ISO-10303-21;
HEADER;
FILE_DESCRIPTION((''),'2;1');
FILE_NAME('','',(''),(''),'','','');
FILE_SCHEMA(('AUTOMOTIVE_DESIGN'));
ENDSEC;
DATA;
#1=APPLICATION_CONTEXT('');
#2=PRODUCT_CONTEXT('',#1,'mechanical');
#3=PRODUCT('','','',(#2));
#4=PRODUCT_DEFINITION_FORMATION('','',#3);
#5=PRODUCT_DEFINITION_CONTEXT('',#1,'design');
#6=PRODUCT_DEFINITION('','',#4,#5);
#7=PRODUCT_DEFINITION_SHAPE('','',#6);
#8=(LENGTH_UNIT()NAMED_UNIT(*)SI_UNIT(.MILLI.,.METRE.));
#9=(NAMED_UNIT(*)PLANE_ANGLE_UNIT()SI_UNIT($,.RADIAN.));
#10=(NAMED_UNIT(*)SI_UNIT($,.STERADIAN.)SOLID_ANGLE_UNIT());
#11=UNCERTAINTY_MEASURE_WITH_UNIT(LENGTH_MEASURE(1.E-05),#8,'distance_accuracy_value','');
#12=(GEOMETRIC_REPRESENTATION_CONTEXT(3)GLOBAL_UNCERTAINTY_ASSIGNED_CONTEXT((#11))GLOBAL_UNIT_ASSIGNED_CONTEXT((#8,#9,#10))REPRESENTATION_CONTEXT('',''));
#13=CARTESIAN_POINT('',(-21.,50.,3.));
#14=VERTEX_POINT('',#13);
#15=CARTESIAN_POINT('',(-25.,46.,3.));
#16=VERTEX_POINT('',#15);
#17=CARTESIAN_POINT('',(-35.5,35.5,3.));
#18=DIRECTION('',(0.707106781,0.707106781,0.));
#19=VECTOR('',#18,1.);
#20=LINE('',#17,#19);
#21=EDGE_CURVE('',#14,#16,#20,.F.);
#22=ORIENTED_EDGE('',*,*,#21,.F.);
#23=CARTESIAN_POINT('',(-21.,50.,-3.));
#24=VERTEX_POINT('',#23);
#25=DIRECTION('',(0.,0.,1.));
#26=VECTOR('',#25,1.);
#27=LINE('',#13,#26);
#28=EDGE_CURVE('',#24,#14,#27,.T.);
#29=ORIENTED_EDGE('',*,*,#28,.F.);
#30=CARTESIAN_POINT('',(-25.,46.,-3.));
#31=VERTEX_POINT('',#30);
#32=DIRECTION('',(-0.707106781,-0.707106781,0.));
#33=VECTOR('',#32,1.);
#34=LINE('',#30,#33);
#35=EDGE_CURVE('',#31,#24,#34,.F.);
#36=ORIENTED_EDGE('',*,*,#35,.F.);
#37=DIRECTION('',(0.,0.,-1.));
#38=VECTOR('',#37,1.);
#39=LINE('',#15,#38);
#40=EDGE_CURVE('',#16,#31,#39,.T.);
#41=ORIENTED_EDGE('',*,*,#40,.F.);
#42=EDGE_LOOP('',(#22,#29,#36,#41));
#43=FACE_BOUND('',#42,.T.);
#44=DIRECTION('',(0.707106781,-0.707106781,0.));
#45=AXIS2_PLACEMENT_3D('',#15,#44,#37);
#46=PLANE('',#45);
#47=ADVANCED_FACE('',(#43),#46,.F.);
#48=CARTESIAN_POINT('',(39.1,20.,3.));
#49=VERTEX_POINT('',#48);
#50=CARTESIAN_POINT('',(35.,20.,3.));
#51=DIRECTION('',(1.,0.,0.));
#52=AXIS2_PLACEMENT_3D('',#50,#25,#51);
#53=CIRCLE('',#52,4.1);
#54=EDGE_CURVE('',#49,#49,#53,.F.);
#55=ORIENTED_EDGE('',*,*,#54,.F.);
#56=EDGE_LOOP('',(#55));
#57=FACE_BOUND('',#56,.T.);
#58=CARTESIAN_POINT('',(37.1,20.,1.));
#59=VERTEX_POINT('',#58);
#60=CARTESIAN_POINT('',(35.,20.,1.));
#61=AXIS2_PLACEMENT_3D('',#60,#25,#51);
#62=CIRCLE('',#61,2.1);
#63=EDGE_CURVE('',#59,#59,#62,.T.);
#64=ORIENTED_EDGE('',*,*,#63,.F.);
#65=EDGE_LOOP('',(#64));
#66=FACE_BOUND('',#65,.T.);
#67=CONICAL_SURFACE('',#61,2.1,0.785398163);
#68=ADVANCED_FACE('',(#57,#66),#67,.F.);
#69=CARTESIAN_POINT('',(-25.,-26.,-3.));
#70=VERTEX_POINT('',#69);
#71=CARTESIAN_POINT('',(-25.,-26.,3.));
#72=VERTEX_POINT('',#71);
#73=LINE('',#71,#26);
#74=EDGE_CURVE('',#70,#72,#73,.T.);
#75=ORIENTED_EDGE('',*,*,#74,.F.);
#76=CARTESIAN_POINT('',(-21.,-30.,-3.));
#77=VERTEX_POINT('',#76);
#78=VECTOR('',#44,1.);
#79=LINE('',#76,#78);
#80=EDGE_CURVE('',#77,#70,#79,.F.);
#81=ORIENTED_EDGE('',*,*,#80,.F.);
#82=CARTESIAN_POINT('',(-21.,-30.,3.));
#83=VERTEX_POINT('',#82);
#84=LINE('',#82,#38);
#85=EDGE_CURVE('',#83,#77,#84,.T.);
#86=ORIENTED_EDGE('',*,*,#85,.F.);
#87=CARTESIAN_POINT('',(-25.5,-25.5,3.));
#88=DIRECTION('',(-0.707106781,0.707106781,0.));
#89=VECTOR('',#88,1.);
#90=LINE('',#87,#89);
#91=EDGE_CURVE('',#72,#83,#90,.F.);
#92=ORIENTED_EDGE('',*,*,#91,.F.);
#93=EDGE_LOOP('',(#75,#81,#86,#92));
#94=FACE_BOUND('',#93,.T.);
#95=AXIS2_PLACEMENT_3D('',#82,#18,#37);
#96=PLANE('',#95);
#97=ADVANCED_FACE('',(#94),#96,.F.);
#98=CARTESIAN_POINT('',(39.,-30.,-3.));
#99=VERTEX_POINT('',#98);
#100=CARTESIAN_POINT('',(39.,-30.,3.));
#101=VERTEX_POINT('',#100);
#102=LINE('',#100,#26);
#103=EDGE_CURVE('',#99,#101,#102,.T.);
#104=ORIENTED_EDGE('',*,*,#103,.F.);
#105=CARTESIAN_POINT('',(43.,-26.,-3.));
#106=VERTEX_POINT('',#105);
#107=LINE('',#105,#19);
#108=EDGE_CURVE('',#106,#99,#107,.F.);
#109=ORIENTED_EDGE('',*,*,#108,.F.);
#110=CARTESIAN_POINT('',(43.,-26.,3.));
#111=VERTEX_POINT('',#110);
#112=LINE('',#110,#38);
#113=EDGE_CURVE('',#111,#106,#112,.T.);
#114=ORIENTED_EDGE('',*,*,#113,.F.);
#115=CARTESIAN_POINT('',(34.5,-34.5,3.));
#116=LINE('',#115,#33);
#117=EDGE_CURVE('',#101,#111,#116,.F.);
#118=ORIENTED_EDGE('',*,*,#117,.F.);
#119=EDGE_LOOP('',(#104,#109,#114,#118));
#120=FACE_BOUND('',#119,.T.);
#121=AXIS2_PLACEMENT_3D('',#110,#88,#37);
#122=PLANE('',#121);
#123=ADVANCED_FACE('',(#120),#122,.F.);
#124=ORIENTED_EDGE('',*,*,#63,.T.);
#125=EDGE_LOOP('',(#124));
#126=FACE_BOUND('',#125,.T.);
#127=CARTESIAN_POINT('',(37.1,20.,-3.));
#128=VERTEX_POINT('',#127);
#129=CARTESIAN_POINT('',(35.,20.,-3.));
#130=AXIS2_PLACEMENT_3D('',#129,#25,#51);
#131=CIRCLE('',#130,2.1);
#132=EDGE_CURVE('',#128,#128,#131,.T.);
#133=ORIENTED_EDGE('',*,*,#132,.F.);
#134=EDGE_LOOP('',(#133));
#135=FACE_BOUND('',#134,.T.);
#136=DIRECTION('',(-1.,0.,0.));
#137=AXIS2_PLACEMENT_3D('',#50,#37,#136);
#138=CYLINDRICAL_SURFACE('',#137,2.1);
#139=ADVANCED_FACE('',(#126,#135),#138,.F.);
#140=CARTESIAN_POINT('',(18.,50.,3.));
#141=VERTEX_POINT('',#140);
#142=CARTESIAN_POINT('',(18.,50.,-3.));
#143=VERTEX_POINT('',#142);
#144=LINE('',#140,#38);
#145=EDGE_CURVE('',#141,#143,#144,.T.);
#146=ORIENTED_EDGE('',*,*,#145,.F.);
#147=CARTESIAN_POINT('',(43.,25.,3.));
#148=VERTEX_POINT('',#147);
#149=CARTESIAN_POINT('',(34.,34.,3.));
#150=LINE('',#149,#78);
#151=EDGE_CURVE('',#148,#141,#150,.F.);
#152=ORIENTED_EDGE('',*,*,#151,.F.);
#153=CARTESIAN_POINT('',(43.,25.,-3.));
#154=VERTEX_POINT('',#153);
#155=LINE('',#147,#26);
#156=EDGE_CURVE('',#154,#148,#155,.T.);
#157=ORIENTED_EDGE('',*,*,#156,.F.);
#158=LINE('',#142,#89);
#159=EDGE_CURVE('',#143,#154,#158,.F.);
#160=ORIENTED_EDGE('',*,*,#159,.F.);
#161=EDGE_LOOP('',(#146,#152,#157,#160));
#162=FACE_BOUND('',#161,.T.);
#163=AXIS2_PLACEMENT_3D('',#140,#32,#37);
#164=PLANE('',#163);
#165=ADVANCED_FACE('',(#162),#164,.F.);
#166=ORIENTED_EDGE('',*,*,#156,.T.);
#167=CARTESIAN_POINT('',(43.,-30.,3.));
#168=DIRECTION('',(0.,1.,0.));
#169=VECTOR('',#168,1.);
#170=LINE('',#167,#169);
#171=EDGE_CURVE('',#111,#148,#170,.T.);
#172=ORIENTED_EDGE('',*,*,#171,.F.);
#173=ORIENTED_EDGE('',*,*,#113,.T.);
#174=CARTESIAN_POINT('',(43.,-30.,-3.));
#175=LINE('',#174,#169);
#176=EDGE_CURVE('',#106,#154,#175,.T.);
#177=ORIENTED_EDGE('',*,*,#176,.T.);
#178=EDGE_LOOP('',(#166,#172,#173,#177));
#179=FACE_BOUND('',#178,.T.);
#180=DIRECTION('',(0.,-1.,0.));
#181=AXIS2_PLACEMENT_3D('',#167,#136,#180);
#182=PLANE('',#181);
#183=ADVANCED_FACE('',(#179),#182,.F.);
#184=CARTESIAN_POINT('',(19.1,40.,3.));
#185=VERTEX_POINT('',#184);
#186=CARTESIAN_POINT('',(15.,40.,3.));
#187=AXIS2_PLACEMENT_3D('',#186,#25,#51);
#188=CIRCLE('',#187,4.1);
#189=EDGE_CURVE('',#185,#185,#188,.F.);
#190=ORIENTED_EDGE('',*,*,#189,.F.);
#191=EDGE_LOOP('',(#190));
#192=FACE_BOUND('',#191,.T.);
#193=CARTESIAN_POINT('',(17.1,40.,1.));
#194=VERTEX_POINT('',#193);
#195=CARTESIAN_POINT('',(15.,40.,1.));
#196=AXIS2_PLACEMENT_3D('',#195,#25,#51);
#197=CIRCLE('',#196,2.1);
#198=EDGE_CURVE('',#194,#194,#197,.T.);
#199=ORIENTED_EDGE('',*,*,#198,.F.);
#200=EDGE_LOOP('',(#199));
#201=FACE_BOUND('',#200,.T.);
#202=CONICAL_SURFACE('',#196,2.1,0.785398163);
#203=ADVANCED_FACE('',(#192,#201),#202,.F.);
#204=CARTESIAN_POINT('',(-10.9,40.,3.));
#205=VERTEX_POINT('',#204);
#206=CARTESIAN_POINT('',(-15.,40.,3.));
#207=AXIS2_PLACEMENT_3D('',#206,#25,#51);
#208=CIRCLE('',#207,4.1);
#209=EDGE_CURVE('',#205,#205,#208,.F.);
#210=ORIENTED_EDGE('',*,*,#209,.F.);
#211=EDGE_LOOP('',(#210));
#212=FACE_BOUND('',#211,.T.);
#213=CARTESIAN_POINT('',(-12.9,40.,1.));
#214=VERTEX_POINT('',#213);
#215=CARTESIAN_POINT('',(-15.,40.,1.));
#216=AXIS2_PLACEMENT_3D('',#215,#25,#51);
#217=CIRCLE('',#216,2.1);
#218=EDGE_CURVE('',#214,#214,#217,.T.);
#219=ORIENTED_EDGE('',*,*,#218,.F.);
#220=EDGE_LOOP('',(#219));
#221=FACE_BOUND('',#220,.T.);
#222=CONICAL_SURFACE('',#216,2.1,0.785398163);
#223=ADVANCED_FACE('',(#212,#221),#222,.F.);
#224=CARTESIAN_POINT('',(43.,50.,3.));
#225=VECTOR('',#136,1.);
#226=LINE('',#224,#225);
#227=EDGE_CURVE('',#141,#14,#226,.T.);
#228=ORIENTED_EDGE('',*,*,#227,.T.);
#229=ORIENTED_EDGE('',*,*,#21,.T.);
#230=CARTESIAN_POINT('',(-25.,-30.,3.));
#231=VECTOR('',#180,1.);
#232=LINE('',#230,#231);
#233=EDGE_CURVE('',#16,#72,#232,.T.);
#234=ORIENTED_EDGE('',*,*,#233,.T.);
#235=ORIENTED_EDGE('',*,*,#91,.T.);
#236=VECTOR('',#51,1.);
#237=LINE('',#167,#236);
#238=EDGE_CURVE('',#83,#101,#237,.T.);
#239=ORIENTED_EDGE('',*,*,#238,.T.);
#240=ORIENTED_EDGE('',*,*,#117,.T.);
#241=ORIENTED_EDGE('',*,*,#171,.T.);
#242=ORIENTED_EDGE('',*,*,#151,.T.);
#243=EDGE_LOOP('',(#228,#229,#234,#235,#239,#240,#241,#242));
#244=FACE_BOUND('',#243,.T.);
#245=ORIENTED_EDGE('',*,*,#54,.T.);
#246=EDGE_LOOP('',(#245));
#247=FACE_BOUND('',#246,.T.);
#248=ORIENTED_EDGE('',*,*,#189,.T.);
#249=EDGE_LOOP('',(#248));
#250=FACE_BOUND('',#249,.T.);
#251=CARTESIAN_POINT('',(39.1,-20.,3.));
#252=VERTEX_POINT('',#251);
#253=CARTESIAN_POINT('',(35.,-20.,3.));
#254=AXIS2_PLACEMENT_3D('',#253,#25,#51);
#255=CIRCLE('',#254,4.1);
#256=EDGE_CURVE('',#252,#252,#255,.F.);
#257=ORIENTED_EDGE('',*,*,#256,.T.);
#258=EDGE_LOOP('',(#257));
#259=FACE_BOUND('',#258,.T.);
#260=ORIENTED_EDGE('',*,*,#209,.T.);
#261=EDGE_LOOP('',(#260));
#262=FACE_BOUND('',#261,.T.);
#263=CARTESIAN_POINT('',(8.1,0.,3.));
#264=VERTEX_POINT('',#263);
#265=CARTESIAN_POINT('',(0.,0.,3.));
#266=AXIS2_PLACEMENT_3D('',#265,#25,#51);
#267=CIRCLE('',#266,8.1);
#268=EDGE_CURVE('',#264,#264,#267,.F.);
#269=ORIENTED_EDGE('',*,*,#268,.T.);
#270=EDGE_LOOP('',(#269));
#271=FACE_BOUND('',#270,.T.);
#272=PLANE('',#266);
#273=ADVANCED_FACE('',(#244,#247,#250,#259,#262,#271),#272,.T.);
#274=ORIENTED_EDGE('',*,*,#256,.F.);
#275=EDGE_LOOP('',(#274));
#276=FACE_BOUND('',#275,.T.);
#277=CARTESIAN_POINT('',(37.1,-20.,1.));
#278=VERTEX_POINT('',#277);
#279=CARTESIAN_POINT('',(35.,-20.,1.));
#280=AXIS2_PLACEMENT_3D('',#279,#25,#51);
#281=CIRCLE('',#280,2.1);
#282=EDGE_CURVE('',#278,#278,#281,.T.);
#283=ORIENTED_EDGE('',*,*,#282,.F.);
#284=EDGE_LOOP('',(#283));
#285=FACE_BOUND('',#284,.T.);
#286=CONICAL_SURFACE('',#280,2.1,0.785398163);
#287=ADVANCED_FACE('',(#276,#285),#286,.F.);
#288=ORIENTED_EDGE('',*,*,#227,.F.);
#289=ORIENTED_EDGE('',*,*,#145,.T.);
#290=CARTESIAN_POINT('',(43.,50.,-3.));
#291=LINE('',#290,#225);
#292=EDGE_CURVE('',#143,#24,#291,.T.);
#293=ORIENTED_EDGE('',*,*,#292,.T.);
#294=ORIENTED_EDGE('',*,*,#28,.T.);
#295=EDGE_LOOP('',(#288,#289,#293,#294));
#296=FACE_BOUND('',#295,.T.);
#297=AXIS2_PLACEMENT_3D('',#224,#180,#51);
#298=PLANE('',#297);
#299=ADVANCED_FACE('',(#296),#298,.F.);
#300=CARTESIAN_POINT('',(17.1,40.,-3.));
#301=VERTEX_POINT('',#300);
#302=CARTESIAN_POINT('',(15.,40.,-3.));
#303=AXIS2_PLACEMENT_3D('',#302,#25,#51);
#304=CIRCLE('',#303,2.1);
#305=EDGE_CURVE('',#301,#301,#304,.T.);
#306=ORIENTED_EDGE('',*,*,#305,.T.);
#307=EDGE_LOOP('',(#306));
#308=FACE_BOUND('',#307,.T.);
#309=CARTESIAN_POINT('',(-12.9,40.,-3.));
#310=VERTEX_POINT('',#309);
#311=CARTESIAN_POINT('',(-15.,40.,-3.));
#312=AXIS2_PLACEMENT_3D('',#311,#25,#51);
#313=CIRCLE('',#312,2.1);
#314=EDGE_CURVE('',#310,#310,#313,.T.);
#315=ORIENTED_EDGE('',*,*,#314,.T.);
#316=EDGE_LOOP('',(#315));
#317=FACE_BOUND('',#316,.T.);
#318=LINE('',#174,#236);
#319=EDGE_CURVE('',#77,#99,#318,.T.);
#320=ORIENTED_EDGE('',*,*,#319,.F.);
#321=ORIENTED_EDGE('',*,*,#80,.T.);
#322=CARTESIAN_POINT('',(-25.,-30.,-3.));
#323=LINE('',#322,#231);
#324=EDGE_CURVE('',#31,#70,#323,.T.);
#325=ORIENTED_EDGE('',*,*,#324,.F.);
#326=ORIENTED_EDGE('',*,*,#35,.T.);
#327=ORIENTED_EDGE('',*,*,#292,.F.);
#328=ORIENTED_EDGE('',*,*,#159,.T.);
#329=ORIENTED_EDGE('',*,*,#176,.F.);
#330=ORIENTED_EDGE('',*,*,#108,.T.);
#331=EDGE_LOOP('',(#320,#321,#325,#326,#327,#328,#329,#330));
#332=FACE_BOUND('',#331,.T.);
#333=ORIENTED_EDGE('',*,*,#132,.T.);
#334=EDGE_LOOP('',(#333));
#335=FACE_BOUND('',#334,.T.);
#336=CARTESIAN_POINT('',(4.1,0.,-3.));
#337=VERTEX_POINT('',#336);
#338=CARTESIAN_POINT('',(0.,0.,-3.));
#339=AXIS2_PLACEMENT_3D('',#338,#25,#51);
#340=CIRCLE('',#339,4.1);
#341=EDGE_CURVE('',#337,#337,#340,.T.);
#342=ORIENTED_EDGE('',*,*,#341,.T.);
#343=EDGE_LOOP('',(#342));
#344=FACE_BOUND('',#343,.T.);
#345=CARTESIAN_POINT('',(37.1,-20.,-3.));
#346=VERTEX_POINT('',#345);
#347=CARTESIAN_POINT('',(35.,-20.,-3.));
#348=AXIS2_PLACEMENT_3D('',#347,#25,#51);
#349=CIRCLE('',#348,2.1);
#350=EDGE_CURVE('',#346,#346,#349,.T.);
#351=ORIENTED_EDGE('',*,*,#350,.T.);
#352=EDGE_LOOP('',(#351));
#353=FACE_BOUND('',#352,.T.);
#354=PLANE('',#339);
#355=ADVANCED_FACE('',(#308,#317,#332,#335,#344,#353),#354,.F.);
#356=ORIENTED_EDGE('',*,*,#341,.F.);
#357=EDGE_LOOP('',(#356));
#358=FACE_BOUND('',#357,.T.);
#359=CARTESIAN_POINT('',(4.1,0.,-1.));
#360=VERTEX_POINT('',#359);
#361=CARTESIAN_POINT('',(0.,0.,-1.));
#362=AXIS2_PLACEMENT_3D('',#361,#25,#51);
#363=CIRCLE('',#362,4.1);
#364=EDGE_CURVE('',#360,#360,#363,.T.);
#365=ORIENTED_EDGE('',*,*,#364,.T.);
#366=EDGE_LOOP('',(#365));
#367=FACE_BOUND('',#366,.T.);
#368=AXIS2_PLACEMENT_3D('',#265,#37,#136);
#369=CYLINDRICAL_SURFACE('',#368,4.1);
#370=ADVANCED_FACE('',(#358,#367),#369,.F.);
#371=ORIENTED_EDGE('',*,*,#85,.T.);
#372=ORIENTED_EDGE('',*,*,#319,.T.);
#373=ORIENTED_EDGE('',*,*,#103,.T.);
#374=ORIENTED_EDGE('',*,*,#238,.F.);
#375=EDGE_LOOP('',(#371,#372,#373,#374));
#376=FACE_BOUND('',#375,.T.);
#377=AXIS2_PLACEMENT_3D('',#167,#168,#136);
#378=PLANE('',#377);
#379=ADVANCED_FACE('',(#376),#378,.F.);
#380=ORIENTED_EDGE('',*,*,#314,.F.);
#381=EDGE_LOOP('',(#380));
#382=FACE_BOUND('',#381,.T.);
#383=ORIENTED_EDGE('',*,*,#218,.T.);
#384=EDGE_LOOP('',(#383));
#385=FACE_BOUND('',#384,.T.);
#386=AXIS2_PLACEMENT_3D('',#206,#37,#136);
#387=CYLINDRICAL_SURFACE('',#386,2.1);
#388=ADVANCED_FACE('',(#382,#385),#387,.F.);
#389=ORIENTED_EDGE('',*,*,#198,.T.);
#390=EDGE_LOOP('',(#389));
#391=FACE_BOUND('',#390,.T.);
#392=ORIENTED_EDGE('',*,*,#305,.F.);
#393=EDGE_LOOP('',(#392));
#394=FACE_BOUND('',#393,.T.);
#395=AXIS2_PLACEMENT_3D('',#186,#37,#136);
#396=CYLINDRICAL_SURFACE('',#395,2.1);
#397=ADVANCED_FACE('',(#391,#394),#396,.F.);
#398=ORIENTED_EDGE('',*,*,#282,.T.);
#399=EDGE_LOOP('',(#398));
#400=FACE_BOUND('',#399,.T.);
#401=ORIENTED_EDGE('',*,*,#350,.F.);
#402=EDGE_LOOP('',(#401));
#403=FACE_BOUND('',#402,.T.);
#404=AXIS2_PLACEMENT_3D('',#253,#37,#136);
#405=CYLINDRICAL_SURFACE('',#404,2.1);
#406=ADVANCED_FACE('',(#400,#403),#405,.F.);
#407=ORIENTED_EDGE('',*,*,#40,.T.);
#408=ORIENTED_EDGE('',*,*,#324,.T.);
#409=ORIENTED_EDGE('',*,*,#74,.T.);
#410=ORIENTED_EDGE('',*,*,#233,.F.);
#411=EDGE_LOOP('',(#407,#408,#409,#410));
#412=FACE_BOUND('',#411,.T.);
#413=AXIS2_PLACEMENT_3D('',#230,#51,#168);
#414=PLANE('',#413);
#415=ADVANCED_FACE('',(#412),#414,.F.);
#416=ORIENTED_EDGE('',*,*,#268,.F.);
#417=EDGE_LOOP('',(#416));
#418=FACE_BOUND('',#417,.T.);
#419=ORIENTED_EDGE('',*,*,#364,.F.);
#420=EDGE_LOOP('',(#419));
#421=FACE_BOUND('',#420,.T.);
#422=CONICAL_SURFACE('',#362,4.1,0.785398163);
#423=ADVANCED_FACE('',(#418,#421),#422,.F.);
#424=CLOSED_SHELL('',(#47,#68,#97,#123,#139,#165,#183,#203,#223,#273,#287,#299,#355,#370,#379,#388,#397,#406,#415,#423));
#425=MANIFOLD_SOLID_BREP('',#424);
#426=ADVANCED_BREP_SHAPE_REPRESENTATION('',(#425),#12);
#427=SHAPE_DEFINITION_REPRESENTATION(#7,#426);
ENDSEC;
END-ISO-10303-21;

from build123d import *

# Parameters (mm, degrees)
SKETCH_1_W      = 68
SKETCH_1_H      = 80
SKETCH_1_R      = 4.1
SKETCH_1_R_2    = 2.1
EXTRUDE_1_DEPTH = 3
CHAMFER_1_SIZE  = 25
CHAMFER_2_SIZE  = 4
CHAMFER_3_SIZE  = 2


with BuildPart() as part:
    # 草图1 → 凸台-拉伸1 (new, symmetric)
    with BuildSketch(Plane.XY):
        with Locations((9, 10)):
            Rectangle(SKETCH_1_W, SKETCH_1_H)
        Circle(SKETCH_1_R, mode=Mode.SUBTRACT)
        with Locations((35, 20)):
            Circle(SKETCH_1_R_2, mode=Mode.SUBTRACT)
        with Locations((35, -20)):
            Circle(SKETCH_1_R_2, mode=Mode.SUBTRACT)
        with Locations((-15, 40)):
            Circle(SKETCH_1_R_2, mode=Mode.SUBTRACT)
        with Locations((15, 40)):
            Circle(SKETCH_1_R_2, mode=Mode.SUBTRACT)
    extrude(amount=EXTRUDE_1_DEPTH, both=True)

    # 倒角1
    chamfer_1_edges = [part.edges().sort_by_distance(p)[0] for p in [
        (43, 50, 0),
    ]]
    chamfer(chamfer_1_edges, length=CHAMFER_1_SIZE)

    # 倒角2
    chamfer_2_edges = [part.edges().sort_by_distance(p)[0] for p in [
        (-4.1, 0, 3),
        (-25, 50, 0),
        (43, -30, 0),
        (-25, -30, 0),
    ]]
    chamfer(chamfer_2_edges, length=CHAMFER_2_SIZE)

    # 倒角3
    chamfer_3_edges = [part.edges().sort_by_distance(p)[0] for p in [
        (32.9, 20, 3),
        (32.9, -20, 3),
        (-17.1, 40, 3),
        (12.9, 40, 3),
    ]]
    chamfer(chamfer_3_edges, length=CHAMFER_3_SIZE)


solid = part.part
